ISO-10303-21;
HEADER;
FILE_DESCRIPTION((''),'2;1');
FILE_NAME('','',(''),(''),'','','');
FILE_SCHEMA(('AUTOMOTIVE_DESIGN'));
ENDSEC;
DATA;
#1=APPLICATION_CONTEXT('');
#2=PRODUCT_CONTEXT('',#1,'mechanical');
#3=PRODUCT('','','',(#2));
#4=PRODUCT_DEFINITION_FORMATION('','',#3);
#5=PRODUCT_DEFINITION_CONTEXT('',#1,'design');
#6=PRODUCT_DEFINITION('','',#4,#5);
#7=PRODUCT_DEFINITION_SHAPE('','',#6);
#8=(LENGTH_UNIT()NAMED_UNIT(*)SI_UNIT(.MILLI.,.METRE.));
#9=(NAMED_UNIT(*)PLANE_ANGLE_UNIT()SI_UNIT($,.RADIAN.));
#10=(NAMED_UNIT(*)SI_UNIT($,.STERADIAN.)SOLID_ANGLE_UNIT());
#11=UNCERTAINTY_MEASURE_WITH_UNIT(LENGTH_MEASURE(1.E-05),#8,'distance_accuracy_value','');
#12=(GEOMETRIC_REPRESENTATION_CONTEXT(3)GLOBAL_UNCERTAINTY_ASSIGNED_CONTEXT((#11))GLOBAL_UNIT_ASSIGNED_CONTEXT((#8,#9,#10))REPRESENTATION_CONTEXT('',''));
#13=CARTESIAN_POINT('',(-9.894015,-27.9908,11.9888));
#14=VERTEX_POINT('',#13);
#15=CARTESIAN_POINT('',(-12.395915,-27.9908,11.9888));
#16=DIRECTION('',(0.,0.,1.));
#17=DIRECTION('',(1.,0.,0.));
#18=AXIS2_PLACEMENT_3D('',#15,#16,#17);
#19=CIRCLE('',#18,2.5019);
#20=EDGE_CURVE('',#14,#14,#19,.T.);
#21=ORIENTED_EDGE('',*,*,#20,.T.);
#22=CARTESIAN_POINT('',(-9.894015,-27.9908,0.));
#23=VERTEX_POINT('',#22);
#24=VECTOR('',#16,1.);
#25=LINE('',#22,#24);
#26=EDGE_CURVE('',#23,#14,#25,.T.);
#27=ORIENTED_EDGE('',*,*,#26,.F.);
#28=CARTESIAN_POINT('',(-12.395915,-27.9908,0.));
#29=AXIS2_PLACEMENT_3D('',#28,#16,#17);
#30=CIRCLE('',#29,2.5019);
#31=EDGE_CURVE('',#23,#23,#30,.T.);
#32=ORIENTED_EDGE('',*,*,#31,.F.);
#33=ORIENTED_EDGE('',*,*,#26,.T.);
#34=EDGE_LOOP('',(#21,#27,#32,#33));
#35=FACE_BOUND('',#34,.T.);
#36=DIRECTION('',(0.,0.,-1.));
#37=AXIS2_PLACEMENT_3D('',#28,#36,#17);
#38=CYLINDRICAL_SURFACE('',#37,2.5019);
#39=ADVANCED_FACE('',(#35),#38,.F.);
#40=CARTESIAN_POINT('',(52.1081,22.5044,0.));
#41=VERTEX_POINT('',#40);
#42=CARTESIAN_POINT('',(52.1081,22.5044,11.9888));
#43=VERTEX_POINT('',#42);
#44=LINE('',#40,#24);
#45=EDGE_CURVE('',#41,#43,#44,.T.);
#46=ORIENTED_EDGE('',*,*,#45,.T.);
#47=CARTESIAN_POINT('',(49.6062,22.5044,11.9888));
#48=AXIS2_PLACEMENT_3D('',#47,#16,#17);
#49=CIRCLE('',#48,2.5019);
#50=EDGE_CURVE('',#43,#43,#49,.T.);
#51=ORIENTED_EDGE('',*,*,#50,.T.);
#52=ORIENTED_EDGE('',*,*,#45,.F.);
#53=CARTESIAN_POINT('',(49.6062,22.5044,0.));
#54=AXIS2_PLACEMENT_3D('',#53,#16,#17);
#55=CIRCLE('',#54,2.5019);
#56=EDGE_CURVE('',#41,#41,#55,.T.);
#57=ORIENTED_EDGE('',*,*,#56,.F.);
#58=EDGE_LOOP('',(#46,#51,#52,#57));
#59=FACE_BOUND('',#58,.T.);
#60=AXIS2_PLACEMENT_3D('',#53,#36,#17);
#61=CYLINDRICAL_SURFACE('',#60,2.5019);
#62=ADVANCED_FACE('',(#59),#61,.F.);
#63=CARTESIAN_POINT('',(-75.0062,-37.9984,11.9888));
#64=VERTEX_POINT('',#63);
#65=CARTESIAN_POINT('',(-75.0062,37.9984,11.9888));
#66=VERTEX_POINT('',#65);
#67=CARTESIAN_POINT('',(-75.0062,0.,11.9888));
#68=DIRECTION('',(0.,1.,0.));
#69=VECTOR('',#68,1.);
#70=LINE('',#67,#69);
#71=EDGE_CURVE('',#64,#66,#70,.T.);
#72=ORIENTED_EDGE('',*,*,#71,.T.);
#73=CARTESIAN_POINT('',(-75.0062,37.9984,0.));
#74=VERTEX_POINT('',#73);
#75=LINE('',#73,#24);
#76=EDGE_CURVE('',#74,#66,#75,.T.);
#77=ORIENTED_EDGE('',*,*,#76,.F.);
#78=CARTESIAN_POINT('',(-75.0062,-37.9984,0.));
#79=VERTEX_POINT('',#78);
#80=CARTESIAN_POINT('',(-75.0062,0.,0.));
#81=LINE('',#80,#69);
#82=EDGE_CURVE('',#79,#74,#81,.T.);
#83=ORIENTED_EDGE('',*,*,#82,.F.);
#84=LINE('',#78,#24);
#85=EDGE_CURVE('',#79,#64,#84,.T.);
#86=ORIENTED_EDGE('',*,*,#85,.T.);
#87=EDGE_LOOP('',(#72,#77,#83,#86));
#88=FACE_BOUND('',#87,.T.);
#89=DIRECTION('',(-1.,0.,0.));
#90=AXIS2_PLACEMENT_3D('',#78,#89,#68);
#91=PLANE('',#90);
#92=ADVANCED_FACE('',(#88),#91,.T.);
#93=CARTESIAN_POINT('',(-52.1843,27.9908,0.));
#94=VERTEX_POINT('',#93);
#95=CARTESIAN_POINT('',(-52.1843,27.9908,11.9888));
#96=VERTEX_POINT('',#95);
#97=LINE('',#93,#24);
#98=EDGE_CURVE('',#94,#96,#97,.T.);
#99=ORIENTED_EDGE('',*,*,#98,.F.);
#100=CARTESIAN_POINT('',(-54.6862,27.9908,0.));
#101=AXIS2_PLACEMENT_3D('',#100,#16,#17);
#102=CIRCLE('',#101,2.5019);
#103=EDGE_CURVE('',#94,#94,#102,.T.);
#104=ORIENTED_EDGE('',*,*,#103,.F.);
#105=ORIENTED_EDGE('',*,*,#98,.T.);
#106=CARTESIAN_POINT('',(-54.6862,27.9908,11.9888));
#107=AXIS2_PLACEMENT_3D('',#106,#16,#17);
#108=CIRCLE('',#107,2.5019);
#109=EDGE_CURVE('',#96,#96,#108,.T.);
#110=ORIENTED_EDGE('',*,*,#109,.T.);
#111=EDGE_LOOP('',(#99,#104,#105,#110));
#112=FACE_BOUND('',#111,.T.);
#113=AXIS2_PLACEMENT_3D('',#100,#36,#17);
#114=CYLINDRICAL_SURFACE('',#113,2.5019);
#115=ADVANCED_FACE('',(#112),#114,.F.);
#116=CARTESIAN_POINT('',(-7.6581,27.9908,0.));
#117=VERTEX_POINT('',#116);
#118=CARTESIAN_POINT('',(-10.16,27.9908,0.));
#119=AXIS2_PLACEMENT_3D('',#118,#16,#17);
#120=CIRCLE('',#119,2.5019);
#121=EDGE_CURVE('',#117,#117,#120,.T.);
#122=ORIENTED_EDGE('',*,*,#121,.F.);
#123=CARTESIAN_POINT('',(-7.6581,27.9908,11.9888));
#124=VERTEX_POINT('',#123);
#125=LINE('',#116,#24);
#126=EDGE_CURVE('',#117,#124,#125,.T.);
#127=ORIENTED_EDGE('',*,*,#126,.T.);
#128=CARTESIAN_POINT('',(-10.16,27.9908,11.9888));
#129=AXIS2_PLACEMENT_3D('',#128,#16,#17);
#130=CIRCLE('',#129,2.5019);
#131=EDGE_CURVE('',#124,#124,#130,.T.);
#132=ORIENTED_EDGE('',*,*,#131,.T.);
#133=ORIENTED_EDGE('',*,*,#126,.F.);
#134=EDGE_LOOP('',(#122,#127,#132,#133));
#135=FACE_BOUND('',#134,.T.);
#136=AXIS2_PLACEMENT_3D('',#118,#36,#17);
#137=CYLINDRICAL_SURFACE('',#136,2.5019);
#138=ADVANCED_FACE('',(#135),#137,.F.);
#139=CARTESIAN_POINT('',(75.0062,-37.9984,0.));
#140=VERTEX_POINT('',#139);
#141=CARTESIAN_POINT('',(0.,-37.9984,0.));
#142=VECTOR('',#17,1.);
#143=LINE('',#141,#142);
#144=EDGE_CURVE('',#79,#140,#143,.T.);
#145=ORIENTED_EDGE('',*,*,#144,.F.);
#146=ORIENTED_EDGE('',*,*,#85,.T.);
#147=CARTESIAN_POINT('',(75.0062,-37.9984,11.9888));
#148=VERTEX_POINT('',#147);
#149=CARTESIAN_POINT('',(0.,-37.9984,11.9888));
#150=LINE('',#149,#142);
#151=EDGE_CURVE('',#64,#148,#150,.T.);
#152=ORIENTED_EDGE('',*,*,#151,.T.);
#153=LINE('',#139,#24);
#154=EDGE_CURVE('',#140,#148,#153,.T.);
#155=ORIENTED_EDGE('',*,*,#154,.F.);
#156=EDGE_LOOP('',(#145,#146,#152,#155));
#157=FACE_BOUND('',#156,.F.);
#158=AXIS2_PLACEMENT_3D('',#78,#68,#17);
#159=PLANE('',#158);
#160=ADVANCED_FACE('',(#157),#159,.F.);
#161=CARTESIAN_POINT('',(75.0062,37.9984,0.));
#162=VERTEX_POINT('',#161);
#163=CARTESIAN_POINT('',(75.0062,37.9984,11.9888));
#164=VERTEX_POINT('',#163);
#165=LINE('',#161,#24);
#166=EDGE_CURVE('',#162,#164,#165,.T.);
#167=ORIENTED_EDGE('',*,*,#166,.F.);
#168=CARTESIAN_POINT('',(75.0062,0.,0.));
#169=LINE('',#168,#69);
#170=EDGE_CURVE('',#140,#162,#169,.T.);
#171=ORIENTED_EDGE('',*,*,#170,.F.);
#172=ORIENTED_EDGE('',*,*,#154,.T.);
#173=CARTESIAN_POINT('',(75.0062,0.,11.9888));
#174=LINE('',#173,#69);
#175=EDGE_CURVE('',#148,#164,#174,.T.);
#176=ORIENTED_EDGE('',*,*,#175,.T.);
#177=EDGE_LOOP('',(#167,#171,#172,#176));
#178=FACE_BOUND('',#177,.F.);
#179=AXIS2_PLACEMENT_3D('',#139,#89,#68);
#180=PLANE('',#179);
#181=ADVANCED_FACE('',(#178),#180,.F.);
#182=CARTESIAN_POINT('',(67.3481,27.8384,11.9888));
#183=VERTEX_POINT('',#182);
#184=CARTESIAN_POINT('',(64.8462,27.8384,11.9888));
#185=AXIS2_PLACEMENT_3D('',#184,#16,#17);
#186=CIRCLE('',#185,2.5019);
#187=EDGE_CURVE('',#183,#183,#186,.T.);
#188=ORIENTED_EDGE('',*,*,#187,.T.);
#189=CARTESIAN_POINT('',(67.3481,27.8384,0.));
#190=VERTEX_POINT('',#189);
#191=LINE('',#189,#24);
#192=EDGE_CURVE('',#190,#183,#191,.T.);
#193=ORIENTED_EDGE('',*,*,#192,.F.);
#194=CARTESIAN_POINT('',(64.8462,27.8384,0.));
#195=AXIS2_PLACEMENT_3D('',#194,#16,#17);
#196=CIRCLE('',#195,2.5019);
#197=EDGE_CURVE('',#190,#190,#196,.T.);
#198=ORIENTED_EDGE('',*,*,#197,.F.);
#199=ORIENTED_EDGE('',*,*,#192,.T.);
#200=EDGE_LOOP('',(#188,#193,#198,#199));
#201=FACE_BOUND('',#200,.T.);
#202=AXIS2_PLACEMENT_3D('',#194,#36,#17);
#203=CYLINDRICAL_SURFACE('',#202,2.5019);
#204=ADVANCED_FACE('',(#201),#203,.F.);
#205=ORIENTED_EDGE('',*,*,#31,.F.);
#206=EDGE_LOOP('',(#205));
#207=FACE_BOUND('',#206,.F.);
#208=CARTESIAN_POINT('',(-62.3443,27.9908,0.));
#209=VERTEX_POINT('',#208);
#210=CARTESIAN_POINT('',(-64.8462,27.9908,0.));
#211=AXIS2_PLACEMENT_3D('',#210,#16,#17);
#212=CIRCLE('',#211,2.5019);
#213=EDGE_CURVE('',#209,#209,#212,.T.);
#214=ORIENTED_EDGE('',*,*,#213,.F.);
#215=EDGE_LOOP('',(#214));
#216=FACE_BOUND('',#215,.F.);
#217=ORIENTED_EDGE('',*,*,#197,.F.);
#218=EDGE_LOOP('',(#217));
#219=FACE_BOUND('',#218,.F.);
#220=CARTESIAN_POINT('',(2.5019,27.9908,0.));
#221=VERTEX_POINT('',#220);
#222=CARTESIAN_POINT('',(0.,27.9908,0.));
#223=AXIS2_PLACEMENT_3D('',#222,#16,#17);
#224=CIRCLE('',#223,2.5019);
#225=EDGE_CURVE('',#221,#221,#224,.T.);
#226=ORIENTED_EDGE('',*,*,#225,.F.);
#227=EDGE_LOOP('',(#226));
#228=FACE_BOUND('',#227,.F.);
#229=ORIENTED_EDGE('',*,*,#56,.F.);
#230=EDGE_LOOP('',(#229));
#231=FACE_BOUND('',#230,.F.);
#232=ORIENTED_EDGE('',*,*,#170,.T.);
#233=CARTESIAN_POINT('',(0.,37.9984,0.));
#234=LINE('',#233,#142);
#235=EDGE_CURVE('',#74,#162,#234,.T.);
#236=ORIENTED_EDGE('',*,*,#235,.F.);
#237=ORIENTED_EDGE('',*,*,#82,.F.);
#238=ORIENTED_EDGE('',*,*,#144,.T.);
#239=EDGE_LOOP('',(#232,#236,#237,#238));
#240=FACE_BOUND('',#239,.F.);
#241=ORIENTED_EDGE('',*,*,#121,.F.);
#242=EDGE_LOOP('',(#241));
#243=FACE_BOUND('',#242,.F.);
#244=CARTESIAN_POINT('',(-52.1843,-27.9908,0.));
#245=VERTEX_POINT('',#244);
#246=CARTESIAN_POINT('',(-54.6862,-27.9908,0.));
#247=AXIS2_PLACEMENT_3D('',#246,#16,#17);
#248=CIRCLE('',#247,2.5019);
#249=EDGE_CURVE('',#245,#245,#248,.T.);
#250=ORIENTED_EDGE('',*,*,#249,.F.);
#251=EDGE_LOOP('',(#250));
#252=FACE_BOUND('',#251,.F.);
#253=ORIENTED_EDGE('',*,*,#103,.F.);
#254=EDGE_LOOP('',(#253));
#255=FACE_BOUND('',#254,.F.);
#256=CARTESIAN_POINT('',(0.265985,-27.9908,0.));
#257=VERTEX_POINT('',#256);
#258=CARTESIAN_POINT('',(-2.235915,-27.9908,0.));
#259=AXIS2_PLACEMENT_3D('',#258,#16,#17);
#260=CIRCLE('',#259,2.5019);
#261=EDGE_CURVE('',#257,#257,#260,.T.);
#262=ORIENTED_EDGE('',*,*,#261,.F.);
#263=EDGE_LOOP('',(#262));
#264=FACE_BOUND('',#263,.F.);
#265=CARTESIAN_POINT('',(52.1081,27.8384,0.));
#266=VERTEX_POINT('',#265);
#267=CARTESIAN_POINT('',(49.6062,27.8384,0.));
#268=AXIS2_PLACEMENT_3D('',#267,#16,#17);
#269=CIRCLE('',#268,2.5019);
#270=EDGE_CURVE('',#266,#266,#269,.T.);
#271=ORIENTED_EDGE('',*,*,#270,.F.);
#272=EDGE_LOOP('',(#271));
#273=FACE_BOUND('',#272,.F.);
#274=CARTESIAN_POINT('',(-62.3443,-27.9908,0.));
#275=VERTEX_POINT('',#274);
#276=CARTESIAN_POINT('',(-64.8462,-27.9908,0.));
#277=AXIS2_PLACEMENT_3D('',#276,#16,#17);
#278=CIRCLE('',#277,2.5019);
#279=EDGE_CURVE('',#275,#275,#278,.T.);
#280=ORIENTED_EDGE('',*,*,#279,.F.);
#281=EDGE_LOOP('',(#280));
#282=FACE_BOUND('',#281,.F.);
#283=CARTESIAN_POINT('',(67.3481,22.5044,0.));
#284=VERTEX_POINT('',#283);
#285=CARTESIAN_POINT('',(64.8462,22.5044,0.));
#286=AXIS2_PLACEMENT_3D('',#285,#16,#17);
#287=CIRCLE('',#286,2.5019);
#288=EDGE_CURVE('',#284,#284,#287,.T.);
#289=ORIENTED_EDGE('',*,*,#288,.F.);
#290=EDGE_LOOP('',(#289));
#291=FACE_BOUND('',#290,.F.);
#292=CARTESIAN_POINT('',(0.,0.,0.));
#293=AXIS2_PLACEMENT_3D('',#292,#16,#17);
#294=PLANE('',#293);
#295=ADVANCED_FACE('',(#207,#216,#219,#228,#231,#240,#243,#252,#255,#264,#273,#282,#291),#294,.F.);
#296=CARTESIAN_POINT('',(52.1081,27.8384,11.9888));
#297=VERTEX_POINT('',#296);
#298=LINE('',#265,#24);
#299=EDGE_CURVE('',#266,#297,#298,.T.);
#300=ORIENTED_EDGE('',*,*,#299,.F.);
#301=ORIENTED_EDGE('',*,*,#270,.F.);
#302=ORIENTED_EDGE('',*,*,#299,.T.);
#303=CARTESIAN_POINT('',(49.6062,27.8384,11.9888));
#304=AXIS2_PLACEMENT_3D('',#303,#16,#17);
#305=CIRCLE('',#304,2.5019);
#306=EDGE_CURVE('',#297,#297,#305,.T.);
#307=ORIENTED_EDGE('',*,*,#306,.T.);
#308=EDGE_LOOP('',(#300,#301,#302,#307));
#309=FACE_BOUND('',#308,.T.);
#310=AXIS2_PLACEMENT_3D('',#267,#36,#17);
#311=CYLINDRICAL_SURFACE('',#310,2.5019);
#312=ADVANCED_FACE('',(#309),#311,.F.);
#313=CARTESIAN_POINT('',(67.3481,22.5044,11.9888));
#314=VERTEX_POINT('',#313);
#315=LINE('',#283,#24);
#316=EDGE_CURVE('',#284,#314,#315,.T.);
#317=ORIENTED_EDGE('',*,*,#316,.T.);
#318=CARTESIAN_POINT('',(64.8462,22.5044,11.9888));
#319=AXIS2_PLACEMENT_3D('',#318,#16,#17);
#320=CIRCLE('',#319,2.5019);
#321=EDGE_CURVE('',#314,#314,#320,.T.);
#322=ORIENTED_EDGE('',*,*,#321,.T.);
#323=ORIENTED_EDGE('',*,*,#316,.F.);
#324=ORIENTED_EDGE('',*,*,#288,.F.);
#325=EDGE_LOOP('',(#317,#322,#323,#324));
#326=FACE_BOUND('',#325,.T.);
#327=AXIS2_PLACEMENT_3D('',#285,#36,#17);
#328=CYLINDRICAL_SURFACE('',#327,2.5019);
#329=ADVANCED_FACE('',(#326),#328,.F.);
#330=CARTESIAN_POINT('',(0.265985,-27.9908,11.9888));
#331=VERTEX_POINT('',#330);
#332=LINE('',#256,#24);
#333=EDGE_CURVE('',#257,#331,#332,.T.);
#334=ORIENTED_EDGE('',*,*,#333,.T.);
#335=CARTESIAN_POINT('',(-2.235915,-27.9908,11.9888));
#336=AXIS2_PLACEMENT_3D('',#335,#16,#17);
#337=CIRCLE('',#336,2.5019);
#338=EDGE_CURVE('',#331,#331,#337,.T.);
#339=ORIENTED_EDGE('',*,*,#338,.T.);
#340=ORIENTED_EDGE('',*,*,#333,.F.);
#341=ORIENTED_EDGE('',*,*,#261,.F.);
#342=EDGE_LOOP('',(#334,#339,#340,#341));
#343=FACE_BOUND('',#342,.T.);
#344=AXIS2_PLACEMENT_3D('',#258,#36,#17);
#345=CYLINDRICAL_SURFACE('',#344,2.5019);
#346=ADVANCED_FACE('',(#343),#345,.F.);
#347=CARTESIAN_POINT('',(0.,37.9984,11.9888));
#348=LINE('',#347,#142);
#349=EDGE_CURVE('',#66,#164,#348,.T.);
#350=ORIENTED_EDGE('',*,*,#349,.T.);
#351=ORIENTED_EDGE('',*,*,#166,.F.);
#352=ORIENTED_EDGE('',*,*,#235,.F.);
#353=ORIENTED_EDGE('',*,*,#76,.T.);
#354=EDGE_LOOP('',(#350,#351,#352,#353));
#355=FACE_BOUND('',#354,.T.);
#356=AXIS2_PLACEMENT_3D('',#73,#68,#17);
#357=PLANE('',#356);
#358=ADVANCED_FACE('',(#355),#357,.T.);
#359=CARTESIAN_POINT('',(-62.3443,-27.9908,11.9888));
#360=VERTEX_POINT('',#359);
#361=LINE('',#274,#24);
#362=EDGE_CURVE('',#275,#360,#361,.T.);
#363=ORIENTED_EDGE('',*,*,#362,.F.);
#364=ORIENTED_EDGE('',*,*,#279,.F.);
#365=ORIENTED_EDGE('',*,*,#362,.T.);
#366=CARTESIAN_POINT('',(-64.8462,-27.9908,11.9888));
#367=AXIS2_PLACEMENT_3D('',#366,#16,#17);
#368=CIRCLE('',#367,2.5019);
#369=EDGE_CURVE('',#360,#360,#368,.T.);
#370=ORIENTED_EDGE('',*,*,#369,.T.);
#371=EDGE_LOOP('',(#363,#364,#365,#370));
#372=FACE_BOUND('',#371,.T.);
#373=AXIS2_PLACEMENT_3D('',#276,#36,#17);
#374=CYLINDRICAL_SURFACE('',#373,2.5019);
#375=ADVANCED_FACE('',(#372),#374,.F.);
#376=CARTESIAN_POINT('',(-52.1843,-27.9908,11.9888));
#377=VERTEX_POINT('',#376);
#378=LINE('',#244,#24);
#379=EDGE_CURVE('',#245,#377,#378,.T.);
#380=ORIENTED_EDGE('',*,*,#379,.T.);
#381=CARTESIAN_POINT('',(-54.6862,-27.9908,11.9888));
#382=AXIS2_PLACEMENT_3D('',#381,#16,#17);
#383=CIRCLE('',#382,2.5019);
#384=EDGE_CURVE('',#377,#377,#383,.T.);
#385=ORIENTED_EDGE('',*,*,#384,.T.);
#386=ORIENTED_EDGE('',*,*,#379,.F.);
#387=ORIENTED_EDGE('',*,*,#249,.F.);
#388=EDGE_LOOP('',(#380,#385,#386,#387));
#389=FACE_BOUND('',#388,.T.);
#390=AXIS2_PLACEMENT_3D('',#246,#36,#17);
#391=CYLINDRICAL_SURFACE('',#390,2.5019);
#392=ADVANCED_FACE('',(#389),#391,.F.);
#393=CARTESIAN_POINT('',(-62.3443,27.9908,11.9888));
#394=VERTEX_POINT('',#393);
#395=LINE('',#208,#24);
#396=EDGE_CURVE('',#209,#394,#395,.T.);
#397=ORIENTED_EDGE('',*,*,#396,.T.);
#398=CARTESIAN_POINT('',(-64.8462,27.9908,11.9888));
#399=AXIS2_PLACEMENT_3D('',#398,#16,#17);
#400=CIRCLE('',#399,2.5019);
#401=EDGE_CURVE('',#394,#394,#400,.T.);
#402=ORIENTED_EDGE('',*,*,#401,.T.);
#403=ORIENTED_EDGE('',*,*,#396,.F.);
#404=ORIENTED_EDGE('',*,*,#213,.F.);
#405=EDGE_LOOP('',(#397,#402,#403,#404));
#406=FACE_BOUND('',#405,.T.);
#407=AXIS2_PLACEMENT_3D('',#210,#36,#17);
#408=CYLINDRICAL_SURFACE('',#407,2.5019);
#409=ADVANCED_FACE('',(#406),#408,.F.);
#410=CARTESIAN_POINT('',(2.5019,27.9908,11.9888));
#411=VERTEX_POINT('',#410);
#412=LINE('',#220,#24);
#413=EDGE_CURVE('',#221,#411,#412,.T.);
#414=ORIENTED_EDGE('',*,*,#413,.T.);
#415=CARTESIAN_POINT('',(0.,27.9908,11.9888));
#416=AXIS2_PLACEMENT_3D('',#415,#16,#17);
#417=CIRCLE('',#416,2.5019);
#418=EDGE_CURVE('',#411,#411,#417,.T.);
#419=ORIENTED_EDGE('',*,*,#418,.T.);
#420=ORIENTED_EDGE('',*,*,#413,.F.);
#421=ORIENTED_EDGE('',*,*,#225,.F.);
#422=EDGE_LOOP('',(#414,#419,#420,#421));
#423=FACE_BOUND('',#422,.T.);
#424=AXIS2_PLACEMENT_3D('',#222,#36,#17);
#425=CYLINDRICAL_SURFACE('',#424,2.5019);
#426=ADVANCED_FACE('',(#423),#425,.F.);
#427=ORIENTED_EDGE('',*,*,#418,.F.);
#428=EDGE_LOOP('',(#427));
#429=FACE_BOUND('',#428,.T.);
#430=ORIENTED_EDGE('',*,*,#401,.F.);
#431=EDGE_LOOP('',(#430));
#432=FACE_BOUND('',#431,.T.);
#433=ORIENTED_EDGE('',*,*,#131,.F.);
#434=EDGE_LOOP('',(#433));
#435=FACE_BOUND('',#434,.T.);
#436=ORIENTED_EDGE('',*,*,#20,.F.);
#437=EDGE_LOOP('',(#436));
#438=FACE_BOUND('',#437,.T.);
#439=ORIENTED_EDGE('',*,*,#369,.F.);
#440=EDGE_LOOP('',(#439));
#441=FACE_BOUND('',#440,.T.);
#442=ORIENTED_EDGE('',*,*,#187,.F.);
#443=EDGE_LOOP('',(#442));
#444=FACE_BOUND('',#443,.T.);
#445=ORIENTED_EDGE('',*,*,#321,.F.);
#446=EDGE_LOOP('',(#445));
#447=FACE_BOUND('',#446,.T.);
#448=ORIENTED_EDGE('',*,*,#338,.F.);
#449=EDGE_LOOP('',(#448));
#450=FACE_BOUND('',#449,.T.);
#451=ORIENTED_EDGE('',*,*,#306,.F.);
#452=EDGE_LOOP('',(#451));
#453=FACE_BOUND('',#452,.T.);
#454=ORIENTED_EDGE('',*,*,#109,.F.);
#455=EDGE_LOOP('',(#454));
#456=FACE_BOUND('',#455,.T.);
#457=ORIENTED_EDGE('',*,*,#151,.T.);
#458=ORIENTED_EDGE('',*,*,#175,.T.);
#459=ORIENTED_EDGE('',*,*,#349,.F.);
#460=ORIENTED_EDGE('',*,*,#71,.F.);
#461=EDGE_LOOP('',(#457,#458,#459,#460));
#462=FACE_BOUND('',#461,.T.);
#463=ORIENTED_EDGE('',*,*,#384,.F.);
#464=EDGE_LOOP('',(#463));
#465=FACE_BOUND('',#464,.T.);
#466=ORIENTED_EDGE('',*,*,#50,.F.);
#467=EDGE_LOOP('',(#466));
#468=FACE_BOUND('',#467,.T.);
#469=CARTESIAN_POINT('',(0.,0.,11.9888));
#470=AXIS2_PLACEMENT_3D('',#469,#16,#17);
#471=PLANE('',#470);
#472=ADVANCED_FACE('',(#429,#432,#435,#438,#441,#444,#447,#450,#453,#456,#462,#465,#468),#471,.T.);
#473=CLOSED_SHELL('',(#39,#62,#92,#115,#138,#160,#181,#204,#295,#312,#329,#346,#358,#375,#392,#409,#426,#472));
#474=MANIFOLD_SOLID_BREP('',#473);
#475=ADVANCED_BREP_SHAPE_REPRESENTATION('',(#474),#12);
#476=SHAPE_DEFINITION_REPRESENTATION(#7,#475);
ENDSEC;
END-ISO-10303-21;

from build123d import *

# Parameters (mm, degrees)
F0_W     = 150.0124
F0_H     = 75.9968
F0_R     = 2.5019
F1_DEPTH = 11.9888


with BuildPart() as f1:
    # F0 (on Top) → F1 (new body)
    with BuildSketch(Plane.XY):
        Rectangle(F0_W, F0_H)
        with Locations((-64.8462, -27.9908)):
            Circle(F0_R, mode=Mode.SUBTRACT)
        with Locations((-54.6862, -27.9908)):
            Circle(F0_R, mode=Mode.SUBTRACT)
        with Locations((-12.395915, -27.9908)):
            Circle(F0_R, mode=Mode.SUBTRACT)
        with Locations((-2.235915, -27.9908)):
            Circle(F0_R, mode=Mode.SUBTRACT)
        with Locations((-64.8462, 27.9908)):
            Circle(F0_R, mode=Mode.SUBTRACT)
        with Locations((-54.6862, 27.9908)):
            Circle(F0_R, mode=Mode.SUBTRACT)
        with Locations((-10.16, 27.9908)):
            Circle(F0_R, mode=Mode.SUBTRACT)
        with Locations((0, 27.9908)):
            Circle(F0_R, mode=Mode.SUBTRACT)
        with Locations((49.6062, 22.5044)):
            Circle(F0_R, mode=Mode.SUBTRACT)
        with Locations((49.6062, 27.8384)):
            Circle(F0_R, mode=Mode.SUBTRACT)
        with Locations((64.8462, 22.5044)):
            Circle(F0_R, mode=Mode.SUBTRACT)
        with Locations((64.8462, 27.8384)):
            Circle(F0_R, mode=Mode.SUBTRACT)
    extrude(amount=F1_DEPTH)


solid = f1.part
